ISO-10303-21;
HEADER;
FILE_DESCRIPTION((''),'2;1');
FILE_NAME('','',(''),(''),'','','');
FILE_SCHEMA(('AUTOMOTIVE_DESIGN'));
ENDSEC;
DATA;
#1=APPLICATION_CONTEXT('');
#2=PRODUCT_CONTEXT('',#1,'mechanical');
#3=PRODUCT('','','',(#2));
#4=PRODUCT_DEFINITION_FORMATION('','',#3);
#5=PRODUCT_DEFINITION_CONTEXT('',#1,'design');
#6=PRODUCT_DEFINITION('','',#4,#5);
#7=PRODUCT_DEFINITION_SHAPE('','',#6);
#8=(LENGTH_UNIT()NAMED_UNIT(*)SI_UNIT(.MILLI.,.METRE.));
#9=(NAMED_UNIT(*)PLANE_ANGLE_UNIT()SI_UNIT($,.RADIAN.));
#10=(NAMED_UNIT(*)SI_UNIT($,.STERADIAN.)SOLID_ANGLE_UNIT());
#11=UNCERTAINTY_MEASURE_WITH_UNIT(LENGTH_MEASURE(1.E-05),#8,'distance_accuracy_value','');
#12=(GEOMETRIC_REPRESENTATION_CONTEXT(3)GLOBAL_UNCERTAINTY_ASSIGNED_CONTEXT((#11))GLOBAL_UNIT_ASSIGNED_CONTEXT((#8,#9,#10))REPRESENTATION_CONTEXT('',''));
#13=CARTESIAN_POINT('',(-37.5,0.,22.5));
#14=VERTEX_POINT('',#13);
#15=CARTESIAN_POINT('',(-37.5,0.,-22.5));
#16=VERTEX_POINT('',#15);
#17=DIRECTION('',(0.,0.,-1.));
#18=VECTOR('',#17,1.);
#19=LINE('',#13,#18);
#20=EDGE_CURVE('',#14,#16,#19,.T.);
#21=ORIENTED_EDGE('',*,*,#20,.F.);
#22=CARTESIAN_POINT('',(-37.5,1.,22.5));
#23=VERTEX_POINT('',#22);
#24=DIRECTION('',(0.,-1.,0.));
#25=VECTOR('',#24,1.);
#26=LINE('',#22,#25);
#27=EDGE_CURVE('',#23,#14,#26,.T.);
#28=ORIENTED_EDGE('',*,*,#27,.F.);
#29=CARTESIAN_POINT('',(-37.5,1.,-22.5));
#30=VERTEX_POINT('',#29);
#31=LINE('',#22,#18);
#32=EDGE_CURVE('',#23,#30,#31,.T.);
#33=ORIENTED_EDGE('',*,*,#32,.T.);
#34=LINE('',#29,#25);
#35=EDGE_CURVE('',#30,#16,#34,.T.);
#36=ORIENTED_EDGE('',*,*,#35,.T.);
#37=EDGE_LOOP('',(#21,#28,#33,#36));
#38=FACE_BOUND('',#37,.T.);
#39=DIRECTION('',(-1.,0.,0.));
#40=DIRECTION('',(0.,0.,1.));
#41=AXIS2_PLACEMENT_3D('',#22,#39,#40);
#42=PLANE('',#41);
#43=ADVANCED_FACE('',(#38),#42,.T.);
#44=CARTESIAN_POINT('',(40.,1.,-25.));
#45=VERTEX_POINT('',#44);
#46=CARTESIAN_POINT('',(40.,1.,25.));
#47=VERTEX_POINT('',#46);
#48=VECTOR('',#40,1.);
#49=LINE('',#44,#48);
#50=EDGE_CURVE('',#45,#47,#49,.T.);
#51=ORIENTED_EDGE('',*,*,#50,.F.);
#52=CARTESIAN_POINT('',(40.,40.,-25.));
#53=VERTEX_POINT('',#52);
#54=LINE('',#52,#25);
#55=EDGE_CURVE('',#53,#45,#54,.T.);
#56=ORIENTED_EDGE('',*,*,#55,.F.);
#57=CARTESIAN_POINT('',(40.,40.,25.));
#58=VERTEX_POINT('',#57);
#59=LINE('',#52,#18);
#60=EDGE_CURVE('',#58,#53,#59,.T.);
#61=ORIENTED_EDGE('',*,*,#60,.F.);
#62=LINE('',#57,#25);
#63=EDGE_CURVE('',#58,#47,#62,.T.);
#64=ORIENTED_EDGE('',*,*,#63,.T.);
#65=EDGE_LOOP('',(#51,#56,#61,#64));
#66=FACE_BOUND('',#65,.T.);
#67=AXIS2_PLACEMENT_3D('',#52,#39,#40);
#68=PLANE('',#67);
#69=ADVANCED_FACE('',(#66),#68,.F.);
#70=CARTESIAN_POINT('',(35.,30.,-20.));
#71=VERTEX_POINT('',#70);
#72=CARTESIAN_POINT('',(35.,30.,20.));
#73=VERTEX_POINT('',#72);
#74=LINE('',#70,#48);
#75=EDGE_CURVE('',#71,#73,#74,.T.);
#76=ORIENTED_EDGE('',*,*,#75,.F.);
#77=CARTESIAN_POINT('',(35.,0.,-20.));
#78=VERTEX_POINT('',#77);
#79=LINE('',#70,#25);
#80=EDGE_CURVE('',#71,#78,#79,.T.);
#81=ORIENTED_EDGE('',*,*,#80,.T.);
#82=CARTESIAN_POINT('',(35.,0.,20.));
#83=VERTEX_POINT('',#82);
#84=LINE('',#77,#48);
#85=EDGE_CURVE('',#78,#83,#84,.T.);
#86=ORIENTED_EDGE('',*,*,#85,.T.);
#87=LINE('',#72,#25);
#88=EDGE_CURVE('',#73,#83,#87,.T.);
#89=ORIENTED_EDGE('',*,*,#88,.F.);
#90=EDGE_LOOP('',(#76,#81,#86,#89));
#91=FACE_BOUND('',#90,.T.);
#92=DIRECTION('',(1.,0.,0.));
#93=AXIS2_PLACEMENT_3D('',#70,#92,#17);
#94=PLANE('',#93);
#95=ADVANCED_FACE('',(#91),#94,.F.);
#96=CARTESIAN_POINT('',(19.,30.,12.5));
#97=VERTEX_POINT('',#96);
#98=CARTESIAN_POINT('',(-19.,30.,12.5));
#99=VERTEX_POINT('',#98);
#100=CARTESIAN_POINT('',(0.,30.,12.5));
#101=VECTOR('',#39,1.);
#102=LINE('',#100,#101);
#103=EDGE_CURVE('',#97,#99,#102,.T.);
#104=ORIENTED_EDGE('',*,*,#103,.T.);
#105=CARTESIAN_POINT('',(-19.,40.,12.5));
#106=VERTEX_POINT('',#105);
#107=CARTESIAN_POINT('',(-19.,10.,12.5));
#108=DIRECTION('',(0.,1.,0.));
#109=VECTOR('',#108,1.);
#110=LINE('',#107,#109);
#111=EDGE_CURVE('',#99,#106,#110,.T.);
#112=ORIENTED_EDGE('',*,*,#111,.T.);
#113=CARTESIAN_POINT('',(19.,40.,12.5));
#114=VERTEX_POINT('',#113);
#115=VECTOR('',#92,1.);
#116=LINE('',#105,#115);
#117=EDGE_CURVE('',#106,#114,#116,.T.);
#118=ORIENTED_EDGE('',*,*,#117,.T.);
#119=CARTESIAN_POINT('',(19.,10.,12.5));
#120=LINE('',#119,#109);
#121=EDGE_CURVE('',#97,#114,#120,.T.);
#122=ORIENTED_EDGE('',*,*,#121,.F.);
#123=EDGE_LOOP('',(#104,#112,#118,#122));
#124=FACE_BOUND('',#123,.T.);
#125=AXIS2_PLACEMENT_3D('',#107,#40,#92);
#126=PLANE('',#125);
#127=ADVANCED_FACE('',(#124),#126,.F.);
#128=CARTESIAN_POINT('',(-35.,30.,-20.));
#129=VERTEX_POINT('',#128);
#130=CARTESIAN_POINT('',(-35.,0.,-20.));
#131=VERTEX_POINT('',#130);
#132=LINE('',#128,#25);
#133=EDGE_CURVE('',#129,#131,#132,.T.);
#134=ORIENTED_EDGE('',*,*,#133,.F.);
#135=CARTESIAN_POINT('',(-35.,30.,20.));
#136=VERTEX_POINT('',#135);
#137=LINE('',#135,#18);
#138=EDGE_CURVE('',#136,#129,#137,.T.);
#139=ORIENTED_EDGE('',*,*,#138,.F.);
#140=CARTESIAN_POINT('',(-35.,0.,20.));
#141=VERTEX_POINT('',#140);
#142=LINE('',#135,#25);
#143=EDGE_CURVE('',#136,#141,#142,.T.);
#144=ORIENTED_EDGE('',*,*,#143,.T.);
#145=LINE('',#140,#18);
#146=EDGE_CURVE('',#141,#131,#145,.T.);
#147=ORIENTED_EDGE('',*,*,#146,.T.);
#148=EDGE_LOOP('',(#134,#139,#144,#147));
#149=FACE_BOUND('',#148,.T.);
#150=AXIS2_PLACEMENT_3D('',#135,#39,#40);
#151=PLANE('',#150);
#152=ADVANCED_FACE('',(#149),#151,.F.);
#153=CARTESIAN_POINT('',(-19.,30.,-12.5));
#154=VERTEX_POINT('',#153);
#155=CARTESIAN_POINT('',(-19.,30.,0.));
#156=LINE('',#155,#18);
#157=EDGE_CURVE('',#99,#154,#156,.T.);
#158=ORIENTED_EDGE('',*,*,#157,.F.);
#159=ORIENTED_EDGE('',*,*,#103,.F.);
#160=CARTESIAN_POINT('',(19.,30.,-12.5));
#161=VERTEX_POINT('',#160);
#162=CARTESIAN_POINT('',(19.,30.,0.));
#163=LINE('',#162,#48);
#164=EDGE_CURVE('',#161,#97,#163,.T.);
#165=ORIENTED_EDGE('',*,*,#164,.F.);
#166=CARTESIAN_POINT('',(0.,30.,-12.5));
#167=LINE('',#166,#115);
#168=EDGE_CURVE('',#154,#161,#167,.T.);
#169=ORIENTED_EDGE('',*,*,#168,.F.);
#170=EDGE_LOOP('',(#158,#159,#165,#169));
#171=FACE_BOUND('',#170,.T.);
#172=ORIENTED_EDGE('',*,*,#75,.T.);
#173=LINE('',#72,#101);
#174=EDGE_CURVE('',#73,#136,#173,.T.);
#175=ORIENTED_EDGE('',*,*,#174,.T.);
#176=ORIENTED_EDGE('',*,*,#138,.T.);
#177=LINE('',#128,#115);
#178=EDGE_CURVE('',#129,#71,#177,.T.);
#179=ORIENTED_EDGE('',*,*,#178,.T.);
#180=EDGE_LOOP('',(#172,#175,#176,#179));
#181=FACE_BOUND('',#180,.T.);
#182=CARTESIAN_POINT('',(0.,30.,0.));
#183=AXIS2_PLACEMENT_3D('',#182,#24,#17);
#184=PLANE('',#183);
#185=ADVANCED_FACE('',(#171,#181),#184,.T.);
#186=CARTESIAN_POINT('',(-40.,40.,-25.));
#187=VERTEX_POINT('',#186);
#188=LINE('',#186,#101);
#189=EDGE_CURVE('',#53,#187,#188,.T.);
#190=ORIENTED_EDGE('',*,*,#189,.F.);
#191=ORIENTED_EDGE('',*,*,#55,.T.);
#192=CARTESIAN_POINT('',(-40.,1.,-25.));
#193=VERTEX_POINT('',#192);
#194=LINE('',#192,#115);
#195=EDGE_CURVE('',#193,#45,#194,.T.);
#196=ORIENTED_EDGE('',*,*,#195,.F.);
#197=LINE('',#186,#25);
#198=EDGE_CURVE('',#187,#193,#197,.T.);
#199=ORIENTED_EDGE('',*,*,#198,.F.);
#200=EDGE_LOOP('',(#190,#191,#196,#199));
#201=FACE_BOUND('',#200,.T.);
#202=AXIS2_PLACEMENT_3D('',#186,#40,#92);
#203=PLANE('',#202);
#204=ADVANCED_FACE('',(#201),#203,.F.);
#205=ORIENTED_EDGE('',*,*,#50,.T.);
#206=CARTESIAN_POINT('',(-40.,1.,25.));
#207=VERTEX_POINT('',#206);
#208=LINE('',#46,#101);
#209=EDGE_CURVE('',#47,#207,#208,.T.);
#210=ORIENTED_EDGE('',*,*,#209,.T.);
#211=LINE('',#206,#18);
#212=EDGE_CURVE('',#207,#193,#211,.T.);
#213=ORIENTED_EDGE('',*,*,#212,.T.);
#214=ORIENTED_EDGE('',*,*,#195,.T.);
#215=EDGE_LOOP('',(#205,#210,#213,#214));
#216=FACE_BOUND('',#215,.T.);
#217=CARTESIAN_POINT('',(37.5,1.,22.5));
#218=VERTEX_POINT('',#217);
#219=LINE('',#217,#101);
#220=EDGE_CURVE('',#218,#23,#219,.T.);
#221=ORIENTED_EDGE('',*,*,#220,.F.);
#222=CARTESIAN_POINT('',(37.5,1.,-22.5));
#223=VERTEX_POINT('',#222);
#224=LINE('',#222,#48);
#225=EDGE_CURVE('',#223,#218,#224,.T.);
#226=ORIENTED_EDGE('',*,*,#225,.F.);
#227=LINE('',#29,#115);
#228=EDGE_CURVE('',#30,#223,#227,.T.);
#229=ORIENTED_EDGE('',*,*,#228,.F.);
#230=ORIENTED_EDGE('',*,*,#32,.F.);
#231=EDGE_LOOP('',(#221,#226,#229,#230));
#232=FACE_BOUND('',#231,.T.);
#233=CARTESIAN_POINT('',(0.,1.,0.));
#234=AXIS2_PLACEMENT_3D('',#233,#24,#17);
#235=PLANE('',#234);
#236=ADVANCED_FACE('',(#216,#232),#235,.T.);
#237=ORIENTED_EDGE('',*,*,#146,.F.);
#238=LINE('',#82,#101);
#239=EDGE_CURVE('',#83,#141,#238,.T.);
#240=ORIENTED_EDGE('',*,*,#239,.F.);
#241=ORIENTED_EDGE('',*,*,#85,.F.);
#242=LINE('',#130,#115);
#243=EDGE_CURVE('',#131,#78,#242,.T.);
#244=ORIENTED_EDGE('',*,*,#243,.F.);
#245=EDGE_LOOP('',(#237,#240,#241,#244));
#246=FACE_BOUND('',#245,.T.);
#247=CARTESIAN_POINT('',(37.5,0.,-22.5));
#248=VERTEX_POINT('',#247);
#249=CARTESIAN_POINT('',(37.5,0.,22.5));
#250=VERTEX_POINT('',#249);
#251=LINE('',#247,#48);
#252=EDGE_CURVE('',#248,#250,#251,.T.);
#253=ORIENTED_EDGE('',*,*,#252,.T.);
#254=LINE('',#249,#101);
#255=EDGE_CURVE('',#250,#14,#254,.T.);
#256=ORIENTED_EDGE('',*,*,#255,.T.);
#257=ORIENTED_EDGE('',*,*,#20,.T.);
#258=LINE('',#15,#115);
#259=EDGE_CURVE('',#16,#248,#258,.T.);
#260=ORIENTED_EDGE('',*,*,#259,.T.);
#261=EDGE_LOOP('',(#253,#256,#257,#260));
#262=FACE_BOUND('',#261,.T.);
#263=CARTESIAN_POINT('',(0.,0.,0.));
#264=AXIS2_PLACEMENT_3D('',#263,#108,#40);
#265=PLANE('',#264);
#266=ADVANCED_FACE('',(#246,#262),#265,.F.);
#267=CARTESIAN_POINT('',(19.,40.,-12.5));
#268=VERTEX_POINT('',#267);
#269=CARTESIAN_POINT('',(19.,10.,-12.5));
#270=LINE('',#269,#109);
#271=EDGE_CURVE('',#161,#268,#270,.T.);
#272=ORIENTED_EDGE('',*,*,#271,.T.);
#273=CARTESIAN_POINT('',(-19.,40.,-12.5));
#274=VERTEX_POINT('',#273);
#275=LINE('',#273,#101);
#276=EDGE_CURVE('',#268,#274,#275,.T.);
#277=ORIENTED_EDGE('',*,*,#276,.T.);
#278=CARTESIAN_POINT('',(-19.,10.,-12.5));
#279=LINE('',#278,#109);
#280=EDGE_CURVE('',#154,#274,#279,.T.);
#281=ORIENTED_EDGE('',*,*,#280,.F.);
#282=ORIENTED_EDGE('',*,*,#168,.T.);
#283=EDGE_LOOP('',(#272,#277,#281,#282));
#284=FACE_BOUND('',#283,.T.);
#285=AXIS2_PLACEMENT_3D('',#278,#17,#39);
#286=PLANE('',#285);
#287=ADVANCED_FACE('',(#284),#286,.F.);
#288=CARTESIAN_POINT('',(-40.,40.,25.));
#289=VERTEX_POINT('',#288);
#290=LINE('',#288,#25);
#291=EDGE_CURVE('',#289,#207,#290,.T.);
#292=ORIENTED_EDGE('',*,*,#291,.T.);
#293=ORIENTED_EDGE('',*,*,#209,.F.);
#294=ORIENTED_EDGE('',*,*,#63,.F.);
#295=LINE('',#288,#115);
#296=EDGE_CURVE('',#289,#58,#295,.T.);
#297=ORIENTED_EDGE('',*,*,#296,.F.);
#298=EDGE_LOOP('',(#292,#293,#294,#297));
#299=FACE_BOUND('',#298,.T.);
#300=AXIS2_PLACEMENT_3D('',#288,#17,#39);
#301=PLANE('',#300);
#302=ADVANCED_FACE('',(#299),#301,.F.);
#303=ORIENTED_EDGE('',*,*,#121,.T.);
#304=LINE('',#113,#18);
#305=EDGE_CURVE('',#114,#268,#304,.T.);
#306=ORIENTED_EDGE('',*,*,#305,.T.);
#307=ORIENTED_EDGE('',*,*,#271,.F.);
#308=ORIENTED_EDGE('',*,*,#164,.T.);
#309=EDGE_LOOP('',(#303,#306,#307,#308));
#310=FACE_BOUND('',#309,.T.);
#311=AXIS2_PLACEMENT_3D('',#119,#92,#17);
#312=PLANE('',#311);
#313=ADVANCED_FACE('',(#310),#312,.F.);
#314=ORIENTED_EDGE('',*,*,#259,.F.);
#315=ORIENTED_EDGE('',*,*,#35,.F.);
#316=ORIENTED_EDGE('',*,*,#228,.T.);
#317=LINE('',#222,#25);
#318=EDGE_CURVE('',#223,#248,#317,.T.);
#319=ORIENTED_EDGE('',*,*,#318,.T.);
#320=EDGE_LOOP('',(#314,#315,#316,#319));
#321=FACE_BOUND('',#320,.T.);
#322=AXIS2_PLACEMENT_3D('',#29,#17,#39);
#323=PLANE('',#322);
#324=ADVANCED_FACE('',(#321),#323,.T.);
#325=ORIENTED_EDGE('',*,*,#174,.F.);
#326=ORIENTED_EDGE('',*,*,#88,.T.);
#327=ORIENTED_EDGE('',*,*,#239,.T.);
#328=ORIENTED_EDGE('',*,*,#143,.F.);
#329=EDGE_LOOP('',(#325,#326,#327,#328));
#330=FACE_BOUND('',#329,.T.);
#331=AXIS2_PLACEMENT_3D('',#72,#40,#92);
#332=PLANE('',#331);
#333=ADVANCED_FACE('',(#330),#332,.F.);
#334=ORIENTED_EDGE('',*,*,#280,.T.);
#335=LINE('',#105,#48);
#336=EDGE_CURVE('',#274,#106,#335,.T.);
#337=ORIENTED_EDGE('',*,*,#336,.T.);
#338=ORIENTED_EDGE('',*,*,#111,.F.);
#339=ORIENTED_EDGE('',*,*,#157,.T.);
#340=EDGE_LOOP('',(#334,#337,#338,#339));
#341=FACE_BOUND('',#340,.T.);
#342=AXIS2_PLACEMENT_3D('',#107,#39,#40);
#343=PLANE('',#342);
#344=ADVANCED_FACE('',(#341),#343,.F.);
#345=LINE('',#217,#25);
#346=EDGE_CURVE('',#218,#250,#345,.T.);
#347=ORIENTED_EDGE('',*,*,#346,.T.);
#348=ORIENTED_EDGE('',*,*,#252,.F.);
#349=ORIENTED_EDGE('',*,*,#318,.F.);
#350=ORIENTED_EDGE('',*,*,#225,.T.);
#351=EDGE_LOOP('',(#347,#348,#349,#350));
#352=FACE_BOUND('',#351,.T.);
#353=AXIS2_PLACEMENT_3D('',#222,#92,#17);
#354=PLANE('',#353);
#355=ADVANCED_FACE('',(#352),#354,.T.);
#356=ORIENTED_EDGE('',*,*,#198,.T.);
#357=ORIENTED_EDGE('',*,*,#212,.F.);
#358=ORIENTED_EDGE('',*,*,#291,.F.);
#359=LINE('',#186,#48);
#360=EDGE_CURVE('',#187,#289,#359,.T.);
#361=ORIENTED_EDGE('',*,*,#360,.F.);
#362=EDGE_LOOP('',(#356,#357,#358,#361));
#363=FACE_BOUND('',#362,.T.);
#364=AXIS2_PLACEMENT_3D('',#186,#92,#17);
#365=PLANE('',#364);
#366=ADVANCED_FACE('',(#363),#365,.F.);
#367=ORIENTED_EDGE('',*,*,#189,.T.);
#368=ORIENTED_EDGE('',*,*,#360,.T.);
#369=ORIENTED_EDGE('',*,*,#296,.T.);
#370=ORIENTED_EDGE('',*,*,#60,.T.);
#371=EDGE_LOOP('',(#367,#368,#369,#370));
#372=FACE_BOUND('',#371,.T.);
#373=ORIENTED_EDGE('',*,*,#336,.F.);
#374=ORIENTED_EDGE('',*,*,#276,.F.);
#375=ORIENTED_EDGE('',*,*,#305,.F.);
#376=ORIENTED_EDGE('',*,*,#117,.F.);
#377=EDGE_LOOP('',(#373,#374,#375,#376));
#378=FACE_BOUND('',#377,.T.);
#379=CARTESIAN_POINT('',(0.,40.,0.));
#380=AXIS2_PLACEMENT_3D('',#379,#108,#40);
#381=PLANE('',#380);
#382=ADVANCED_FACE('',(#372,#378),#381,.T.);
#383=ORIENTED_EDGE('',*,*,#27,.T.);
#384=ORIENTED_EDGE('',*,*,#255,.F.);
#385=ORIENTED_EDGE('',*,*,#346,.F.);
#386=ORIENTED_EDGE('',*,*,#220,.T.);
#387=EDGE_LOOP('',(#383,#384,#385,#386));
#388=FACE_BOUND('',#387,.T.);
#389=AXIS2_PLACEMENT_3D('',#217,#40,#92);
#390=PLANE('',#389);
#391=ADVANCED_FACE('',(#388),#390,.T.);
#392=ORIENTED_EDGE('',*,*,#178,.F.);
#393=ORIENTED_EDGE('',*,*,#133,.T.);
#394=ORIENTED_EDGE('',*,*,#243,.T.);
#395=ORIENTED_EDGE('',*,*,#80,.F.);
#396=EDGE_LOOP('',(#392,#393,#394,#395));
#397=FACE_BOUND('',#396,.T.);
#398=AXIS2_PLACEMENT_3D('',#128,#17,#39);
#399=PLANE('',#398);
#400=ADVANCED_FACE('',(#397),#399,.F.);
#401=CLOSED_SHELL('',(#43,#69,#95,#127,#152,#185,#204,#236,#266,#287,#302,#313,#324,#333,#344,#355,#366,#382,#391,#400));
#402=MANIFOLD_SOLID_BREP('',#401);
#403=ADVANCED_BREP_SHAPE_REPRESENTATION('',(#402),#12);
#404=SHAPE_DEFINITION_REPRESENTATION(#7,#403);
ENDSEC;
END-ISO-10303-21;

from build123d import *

# Parameters (mm, degrees)
SKETCH_1_W          = 80
SKETCH_1_H          = 50
EXTRUDE_1_DEPTH     = 40
SKETCH_2_W          = 70
SKETCH_2_H          = 40
CUT_EXTRUDE_1_DEPTH = 30
SKETCH_4_W          = 38
SKETCH_4_H          = 25
CUT_EXTRUDE_2_DEPTH = 30
SKETCH_7_W          = 80
SKETCH_7_H          = 50
SKETCH_7_W_2        = 75
SKETCH_7_H_2        = 45
CUT_EXTRUDE_3_DEPTH = 1


with BuildPart() as part:
    # 스케치1 → 보스-돌출1 (new body)
    with BuildSketch(Plane(origin=(0, 0, 0), x_dir=(1, 0, 0), z_dir=(0, 1, 0))):
        Rectangle(SKETCH_1_W, SKETCH_1_H)
    extrude(amount=EXTRUDE_1_DEPTH)

    # 스케치2 → 컷-돌출1 (cut)
    with BuildSketch(Plane.XZ):
        Rectangle(SKETCH_2_W, SKETCH_2_H)
    extrude(amount=-CUT_EXTRUDE_1_DEPTH, mode=Mode.SUBTRACT)

    # 스케치4 → 컷-돌출2 (cut)
    with BuildSketch(Plane(origin=(0, 40, 0), x_dir=(1, 0, 0), z_dir=(0, 1, 0))):
        Rectangle(SKETCH_4_W, SKETCH_4_H)
    extrude(amount=-CUT_EXTRUDE_2_DEPTH, mode=Mode.SUBTRACT)

    # 스케치7 → 컷-돌출3 (cut)
    with BuildSketch(Plane.XZ):
        Rectangle(SKETCH_7_W, SKETCH_7_H)
        Rectangle(SKETCH_7_W_2, SKETCH_7_H_2, mode=Mode.SUBTRACT)
    extrude(amount=-CUT_EXTRUDE_3_DEPTH, mode=Mode.SUBTRACT)


solid = part.part
